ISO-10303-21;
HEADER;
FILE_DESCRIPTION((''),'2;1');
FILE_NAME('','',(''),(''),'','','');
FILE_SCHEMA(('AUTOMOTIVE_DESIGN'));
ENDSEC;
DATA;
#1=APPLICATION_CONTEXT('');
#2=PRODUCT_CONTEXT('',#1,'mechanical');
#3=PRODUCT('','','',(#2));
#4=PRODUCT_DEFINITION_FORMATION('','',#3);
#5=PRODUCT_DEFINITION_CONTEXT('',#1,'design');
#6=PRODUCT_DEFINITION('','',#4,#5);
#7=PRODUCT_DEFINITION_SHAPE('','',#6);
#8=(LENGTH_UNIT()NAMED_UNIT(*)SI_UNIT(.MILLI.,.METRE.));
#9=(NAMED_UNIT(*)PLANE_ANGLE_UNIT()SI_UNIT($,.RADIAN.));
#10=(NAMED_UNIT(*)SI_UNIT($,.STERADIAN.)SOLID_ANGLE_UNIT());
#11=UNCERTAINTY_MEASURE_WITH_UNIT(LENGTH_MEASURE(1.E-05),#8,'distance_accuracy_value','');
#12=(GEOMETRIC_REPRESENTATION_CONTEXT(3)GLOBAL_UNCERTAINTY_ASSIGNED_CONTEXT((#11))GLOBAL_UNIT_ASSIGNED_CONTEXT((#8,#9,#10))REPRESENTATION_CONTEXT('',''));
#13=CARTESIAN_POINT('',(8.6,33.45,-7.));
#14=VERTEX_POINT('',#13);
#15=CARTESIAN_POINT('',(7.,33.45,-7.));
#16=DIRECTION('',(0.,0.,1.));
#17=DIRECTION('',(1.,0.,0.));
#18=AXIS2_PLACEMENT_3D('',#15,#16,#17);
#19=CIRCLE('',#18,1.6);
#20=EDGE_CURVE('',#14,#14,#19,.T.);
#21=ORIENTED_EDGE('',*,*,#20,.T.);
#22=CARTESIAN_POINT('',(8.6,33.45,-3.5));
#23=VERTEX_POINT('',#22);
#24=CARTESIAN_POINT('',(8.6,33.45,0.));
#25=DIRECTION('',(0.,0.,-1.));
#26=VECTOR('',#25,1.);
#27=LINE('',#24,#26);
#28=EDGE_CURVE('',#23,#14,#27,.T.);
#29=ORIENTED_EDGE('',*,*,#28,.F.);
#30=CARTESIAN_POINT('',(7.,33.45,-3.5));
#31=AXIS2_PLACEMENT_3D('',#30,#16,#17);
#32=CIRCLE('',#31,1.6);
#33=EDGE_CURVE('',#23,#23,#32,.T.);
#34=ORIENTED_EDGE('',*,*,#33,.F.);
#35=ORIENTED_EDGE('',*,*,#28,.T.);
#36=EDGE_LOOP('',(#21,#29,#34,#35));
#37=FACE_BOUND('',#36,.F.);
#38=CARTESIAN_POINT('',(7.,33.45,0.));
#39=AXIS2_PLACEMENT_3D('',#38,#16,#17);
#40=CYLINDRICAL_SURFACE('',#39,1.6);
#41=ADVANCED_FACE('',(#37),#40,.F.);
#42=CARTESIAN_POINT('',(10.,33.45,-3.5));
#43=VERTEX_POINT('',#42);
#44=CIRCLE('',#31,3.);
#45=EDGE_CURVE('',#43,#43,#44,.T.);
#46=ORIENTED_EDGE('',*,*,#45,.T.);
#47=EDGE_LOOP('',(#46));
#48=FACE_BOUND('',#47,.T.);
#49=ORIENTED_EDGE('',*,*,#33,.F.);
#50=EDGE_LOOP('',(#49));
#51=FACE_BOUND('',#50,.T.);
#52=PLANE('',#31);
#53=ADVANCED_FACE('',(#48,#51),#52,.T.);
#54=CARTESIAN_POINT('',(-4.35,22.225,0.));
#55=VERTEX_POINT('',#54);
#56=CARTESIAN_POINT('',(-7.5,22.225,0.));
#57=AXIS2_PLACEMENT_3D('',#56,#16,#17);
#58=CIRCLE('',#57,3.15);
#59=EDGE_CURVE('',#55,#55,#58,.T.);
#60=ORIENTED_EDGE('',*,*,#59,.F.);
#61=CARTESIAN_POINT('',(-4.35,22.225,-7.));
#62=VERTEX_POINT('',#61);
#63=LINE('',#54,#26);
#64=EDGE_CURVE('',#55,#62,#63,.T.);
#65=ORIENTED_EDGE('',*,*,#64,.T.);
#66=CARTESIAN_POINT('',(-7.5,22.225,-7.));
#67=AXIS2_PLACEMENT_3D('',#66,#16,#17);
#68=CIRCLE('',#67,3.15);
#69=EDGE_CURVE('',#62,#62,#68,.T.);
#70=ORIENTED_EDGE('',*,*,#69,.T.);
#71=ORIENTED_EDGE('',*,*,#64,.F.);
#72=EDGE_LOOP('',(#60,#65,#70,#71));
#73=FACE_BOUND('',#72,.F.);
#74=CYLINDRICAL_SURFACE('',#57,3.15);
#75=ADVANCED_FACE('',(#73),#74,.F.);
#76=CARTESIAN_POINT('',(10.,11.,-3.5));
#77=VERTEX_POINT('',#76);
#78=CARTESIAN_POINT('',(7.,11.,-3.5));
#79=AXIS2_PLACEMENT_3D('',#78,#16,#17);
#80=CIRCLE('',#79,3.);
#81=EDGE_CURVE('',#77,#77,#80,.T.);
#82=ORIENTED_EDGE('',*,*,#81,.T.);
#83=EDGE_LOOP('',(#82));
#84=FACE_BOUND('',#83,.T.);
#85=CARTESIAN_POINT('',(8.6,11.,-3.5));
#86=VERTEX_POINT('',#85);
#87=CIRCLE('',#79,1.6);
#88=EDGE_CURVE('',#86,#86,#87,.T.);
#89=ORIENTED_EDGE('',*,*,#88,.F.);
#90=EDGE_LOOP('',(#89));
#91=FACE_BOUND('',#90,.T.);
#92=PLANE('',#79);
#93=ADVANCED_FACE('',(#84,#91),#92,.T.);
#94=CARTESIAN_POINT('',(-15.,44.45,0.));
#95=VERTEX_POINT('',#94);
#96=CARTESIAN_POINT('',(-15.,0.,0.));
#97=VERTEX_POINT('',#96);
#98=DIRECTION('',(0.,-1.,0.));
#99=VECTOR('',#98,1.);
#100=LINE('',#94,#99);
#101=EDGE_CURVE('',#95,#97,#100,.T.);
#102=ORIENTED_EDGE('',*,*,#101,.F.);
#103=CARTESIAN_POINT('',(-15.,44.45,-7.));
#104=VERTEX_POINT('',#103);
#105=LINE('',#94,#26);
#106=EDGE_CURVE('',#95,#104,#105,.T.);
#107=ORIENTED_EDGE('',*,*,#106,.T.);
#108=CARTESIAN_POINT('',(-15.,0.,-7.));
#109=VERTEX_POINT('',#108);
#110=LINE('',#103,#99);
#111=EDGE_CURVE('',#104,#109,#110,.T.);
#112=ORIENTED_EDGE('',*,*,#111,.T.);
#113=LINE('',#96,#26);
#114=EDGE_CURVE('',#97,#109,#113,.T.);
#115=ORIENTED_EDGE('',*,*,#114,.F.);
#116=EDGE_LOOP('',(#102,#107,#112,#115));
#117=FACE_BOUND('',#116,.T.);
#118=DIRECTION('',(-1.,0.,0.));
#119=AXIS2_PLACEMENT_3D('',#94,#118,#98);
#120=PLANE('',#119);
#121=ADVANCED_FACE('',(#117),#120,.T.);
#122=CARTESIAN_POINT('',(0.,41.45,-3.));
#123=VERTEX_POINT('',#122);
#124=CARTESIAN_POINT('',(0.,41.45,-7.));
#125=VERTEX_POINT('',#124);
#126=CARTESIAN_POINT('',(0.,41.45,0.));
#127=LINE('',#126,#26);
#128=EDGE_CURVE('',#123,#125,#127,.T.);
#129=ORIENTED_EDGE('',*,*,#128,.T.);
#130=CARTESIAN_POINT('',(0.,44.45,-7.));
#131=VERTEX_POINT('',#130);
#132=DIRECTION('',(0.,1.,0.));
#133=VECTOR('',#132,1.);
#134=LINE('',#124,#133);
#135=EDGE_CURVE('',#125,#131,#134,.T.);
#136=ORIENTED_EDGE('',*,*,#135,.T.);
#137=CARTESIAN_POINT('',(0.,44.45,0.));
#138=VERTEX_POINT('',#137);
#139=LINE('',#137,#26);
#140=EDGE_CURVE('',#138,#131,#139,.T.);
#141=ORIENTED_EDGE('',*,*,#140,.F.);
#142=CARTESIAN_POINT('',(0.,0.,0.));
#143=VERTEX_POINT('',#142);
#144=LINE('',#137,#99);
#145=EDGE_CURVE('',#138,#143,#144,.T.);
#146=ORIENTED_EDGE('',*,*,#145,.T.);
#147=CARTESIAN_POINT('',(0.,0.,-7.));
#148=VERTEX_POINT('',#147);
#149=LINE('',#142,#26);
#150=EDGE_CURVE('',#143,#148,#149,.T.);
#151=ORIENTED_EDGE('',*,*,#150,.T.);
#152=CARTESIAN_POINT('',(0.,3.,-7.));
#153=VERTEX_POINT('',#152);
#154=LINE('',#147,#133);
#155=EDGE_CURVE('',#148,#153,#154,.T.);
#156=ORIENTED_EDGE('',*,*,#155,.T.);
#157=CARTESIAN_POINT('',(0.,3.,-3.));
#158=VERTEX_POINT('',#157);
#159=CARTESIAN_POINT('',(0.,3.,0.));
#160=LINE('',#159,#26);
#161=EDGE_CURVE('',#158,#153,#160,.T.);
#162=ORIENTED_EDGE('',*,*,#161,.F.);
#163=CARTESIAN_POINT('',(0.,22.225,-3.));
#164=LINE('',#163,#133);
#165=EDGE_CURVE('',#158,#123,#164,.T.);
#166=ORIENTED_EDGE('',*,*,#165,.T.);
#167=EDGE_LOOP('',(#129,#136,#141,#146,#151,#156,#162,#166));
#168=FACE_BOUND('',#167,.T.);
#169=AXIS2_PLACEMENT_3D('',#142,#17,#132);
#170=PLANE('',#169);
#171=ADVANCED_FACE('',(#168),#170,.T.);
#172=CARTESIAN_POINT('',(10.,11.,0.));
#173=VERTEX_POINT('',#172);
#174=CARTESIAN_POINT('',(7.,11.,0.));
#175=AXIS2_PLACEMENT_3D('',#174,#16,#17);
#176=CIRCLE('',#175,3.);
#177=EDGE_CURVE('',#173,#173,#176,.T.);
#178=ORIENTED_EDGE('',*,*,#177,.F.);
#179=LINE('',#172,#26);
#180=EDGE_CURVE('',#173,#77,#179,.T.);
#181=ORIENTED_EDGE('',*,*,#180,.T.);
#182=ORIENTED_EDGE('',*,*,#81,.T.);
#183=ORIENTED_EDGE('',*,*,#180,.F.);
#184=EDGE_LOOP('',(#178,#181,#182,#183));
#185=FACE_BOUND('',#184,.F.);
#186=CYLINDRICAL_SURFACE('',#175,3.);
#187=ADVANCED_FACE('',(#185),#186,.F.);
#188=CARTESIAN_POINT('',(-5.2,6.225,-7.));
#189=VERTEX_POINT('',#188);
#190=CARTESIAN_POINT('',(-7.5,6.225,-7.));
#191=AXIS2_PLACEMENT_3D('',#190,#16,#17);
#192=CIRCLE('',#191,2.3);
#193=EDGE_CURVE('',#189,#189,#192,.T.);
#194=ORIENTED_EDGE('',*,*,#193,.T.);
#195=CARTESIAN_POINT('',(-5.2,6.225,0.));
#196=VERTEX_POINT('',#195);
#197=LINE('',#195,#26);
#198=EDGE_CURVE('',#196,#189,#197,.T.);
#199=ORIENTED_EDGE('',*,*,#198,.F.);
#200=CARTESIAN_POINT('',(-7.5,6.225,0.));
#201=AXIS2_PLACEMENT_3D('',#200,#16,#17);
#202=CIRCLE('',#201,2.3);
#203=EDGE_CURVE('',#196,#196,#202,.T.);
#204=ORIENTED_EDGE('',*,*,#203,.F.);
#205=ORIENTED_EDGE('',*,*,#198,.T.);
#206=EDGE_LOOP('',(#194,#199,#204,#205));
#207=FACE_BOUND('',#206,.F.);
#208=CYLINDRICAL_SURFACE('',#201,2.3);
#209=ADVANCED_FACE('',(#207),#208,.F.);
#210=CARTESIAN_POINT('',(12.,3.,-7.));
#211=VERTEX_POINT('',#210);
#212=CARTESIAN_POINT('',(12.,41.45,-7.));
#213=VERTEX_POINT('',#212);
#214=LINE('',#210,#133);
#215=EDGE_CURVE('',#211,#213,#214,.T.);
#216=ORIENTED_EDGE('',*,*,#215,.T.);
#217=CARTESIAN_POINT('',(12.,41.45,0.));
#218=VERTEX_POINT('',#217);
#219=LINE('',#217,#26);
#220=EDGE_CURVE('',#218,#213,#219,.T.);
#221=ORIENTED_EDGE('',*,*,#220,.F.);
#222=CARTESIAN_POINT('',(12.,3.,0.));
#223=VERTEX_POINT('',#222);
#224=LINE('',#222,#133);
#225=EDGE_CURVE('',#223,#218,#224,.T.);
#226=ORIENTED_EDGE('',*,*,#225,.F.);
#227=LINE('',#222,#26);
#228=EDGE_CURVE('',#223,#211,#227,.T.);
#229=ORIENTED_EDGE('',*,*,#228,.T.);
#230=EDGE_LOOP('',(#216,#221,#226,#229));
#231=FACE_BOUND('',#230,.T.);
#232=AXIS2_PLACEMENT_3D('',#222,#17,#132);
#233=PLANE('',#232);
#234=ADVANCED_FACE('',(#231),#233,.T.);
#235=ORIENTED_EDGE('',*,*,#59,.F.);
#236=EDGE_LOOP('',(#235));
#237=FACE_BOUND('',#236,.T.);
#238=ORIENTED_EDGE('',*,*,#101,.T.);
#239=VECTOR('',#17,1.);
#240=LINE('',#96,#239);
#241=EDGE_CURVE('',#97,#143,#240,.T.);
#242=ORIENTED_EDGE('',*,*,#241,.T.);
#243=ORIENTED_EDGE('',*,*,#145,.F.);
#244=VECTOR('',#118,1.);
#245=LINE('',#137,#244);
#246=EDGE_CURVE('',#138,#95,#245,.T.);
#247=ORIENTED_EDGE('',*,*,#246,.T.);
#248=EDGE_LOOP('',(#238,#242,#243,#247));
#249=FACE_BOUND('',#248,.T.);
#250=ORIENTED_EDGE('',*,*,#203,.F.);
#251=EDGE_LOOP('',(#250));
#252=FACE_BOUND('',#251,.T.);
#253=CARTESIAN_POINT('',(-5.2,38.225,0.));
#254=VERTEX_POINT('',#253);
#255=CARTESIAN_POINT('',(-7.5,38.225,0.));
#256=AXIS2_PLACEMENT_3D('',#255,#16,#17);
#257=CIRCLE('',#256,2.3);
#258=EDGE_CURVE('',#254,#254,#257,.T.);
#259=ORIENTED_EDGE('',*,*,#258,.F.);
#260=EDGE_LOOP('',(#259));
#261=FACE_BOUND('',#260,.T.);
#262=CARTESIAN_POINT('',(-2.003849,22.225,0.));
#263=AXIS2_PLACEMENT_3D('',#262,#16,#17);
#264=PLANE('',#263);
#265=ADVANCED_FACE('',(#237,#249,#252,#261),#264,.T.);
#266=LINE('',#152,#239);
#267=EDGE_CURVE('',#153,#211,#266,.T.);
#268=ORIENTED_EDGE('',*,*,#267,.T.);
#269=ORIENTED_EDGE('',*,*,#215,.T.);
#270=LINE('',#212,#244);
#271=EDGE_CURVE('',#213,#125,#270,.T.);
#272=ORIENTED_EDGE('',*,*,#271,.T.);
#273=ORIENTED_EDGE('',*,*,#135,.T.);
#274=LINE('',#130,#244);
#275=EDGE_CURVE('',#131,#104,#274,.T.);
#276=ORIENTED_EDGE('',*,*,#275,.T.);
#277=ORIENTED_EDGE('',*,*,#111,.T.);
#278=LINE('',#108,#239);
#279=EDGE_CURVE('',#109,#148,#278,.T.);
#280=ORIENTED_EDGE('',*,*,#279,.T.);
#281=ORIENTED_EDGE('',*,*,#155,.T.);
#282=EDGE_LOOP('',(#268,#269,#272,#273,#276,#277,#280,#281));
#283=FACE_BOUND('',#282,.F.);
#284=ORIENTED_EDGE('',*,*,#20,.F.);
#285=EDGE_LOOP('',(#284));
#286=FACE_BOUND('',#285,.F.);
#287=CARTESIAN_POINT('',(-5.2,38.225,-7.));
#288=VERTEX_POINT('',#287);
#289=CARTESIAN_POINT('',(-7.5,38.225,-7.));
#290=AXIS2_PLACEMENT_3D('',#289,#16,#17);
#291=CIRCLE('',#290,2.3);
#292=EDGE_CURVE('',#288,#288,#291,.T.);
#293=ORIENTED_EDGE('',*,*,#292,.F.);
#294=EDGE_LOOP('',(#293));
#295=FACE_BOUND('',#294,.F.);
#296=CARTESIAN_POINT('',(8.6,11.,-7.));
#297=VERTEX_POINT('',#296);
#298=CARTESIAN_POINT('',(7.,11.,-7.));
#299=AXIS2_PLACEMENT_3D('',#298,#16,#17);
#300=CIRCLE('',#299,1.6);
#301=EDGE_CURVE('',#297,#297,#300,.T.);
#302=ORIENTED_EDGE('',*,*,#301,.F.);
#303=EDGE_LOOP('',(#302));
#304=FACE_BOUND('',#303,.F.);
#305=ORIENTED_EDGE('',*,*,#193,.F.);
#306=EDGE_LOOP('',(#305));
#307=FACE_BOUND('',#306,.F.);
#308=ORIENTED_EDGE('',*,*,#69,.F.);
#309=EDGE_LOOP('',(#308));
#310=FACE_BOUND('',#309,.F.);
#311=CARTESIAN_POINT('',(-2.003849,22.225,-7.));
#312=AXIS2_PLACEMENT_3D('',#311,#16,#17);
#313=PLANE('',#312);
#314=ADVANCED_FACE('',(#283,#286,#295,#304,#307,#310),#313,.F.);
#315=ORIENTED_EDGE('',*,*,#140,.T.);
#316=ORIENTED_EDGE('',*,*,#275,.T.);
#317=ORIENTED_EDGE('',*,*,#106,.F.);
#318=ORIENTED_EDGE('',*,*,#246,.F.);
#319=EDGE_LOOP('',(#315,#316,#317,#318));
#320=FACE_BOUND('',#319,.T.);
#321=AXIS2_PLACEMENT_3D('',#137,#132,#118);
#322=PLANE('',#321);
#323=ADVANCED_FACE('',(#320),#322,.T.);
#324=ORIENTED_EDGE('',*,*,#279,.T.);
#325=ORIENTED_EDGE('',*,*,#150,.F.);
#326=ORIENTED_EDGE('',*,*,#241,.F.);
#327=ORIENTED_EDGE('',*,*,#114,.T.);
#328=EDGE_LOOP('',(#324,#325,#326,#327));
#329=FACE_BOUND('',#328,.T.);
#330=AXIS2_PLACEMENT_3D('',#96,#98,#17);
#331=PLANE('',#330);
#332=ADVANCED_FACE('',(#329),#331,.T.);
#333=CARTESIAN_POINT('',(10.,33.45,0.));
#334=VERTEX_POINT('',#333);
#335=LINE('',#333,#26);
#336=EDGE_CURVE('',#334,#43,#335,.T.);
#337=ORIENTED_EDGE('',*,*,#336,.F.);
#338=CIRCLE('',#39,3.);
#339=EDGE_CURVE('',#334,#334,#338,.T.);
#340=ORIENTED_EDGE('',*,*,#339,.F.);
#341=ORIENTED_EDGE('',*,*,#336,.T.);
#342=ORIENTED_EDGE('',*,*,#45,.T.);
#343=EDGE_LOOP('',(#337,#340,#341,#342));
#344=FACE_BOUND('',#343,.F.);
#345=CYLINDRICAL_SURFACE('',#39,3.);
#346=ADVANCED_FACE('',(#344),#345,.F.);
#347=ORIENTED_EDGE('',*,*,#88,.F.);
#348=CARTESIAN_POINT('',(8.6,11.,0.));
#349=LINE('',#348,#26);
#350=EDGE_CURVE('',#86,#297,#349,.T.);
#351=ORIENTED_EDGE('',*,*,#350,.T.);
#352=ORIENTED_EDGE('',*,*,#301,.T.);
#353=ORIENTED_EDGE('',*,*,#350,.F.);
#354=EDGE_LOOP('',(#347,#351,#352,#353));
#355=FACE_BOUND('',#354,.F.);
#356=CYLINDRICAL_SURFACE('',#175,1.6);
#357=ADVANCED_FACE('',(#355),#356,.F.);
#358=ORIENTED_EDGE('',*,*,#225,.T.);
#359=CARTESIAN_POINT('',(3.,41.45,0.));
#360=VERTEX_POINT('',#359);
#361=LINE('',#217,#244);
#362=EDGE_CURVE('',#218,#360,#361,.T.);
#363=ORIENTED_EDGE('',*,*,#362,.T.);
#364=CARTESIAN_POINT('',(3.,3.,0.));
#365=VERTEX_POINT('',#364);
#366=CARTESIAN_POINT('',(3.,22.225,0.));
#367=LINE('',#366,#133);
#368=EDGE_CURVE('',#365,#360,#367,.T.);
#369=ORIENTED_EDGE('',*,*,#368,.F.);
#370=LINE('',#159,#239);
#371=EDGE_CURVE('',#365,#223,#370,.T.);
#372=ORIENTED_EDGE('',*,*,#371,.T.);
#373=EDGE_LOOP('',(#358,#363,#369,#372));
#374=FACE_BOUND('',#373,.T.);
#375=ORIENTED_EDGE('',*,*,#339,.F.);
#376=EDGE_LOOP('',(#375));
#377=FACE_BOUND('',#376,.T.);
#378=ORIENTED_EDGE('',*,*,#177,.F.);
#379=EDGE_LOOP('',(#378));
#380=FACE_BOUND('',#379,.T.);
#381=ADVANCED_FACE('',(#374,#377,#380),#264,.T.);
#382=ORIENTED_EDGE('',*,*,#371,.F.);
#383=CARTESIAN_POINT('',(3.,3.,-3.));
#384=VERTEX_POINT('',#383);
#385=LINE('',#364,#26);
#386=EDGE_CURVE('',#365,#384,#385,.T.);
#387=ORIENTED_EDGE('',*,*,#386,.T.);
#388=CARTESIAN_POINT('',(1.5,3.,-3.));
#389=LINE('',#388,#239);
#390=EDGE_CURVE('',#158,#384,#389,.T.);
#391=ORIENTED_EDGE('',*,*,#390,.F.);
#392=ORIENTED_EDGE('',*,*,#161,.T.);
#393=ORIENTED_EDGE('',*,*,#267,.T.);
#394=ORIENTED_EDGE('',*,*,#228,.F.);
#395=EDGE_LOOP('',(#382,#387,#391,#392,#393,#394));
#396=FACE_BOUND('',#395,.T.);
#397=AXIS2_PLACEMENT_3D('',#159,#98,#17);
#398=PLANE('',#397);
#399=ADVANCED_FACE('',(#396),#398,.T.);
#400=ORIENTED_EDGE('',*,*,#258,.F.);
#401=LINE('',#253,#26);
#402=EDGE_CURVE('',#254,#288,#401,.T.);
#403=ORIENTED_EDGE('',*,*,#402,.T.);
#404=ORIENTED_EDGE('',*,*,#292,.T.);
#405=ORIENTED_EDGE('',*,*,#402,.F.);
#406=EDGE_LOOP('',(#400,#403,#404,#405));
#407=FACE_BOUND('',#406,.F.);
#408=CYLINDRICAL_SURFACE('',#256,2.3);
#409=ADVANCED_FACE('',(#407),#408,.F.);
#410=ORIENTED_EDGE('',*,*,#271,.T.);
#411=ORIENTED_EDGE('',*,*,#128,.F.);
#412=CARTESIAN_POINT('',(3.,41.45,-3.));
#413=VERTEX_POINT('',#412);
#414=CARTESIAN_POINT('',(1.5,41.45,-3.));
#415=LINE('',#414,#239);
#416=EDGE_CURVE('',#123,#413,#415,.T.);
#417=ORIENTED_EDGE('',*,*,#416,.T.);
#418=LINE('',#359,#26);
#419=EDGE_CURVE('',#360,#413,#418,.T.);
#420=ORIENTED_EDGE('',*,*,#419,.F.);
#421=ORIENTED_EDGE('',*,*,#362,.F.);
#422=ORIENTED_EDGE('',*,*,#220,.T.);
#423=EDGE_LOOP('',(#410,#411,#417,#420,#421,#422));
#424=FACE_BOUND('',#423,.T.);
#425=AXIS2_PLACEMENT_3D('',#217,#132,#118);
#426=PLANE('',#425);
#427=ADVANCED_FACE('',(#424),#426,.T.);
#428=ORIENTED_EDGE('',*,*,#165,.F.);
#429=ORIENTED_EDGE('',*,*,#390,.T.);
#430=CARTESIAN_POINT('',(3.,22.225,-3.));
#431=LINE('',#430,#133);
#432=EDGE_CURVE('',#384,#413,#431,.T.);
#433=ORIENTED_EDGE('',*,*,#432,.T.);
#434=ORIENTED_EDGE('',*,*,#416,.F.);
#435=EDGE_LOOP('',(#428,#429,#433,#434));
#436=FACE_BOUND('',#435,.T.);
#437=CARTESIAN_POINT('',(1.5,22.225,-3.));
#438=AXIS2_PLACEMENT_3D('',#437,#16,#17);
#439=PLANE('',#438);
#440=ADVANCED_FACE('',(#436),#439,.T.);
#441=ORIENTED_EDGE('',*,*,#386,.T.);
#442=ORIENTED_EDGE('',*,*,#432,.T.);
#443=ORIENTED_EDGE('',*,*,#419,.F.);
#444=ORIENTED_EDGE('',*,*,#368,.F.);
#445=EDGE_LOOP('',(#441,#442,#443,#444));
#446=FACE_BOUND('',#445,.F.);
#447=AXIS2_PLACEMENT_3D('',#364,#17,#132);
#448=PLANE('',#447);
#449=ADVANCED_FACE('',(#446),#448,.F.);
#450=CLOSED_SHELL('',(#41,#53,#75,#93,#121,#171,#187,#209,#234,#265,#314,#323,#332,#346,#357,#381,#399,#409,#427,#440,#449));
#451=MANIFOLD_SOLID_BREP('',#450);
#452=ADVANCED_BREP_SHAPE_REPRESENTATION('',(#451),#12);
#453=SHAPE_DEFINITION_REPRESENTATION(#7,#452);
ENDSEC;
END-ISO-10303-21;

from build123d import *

# Parameters (mm, degrees)
TABPAD_DEPTH               = 7
LIPPOCKETSKETCH001_W       = 3
LIPPOCKETSKETCH001_H       = 38.45
LIPGROOVEPOCKET_DEPTH      = 3
RAILHOLESSKETCH_R          = 2.3
RAILHOLESSKETCH_R_2        = 3.15
RAILHOLESPOCKET_DEPTH      = 7.001
TABJOINTCLEARSKETCH_R      = 1.6
TABJOINTCLEARPOCKET_DEPTH  = 7.001
TABCOUNTERBORESKETCH_R     = 3
TABCOUNTERBOREPOCKET_DEPTH = 3.5


with BuildPart() as part:
    # TabProfileSketch → TabPad (new body)
    with BuildSketch(Plane.XY):
        Polygon((-15, 0), (0, 0), (0, 3), (12, 3), (12, 41.45), (0, 41.45), (0, 44.45), (-15, 44.45), align=None)
    extrude(amount=-TABPAD_DEPTH)

    # LipPocketSketch001 → LipGroovePocket (cut)
    with BuildSketch(Plane.XY):
        with Locations((1.5, 22.225)):
            Rectangle(LIPPOCKETSKETCH001_W, LIPPOCKETSKETCH001_H)
    extrude(amount=-LIPGROOVEPOCKET_DEPTH, mode=Mode.SUBTRACT)

    # RailHolesSketch → RailHolesPocket (cut, through all)
    with BuildSketch(Plane.XY):
        with Locations((-7.5, 6.225)):
            Circle(RAILHOLESSKETCH_R)
        with Locations((-7.5, 22.225)):
            Circle(RAILHOLESSKETCH_R_2)
        with Locations((-7.5, 38.225)):
            Circle(RAILHOLESSKETCH_R)
    extrude(amount=-RAILHOLESPOCKET_DEPTH, mode=Mode.SUBTRACT)

    # TabJointClearSketch → TabJointClearPocket (cut, through all)
    with BuildSketch(Plane.XY):
        with Locations((7, 11)):
            Circle(TABJOINTCLEARSKETCH_R)
        with Locations((7, 33.45)):
            Circle(TABJOINTCLEARSKETCH_R)
    extrude(amount=-TABJOINTCLEARPOCKET_DEPTH, mode=Mode.SUBTRACT)

    # TabCounterboreSketch → TabCounterborePocket (cut)
    with BuildSketch(Plane.XY):
        with Locations((7, 11)):
            Circle(TABCOUNTERBORESKETCH_R)
        with Locations((7, 33.45)):
            Circle(TABCOUNTERBORESKETCH_R)
    extrude(amount=-TABCOUNTERBOREPOCKET_DEPTH, mode=Mode.SUBTRACT)


solid = part.part
